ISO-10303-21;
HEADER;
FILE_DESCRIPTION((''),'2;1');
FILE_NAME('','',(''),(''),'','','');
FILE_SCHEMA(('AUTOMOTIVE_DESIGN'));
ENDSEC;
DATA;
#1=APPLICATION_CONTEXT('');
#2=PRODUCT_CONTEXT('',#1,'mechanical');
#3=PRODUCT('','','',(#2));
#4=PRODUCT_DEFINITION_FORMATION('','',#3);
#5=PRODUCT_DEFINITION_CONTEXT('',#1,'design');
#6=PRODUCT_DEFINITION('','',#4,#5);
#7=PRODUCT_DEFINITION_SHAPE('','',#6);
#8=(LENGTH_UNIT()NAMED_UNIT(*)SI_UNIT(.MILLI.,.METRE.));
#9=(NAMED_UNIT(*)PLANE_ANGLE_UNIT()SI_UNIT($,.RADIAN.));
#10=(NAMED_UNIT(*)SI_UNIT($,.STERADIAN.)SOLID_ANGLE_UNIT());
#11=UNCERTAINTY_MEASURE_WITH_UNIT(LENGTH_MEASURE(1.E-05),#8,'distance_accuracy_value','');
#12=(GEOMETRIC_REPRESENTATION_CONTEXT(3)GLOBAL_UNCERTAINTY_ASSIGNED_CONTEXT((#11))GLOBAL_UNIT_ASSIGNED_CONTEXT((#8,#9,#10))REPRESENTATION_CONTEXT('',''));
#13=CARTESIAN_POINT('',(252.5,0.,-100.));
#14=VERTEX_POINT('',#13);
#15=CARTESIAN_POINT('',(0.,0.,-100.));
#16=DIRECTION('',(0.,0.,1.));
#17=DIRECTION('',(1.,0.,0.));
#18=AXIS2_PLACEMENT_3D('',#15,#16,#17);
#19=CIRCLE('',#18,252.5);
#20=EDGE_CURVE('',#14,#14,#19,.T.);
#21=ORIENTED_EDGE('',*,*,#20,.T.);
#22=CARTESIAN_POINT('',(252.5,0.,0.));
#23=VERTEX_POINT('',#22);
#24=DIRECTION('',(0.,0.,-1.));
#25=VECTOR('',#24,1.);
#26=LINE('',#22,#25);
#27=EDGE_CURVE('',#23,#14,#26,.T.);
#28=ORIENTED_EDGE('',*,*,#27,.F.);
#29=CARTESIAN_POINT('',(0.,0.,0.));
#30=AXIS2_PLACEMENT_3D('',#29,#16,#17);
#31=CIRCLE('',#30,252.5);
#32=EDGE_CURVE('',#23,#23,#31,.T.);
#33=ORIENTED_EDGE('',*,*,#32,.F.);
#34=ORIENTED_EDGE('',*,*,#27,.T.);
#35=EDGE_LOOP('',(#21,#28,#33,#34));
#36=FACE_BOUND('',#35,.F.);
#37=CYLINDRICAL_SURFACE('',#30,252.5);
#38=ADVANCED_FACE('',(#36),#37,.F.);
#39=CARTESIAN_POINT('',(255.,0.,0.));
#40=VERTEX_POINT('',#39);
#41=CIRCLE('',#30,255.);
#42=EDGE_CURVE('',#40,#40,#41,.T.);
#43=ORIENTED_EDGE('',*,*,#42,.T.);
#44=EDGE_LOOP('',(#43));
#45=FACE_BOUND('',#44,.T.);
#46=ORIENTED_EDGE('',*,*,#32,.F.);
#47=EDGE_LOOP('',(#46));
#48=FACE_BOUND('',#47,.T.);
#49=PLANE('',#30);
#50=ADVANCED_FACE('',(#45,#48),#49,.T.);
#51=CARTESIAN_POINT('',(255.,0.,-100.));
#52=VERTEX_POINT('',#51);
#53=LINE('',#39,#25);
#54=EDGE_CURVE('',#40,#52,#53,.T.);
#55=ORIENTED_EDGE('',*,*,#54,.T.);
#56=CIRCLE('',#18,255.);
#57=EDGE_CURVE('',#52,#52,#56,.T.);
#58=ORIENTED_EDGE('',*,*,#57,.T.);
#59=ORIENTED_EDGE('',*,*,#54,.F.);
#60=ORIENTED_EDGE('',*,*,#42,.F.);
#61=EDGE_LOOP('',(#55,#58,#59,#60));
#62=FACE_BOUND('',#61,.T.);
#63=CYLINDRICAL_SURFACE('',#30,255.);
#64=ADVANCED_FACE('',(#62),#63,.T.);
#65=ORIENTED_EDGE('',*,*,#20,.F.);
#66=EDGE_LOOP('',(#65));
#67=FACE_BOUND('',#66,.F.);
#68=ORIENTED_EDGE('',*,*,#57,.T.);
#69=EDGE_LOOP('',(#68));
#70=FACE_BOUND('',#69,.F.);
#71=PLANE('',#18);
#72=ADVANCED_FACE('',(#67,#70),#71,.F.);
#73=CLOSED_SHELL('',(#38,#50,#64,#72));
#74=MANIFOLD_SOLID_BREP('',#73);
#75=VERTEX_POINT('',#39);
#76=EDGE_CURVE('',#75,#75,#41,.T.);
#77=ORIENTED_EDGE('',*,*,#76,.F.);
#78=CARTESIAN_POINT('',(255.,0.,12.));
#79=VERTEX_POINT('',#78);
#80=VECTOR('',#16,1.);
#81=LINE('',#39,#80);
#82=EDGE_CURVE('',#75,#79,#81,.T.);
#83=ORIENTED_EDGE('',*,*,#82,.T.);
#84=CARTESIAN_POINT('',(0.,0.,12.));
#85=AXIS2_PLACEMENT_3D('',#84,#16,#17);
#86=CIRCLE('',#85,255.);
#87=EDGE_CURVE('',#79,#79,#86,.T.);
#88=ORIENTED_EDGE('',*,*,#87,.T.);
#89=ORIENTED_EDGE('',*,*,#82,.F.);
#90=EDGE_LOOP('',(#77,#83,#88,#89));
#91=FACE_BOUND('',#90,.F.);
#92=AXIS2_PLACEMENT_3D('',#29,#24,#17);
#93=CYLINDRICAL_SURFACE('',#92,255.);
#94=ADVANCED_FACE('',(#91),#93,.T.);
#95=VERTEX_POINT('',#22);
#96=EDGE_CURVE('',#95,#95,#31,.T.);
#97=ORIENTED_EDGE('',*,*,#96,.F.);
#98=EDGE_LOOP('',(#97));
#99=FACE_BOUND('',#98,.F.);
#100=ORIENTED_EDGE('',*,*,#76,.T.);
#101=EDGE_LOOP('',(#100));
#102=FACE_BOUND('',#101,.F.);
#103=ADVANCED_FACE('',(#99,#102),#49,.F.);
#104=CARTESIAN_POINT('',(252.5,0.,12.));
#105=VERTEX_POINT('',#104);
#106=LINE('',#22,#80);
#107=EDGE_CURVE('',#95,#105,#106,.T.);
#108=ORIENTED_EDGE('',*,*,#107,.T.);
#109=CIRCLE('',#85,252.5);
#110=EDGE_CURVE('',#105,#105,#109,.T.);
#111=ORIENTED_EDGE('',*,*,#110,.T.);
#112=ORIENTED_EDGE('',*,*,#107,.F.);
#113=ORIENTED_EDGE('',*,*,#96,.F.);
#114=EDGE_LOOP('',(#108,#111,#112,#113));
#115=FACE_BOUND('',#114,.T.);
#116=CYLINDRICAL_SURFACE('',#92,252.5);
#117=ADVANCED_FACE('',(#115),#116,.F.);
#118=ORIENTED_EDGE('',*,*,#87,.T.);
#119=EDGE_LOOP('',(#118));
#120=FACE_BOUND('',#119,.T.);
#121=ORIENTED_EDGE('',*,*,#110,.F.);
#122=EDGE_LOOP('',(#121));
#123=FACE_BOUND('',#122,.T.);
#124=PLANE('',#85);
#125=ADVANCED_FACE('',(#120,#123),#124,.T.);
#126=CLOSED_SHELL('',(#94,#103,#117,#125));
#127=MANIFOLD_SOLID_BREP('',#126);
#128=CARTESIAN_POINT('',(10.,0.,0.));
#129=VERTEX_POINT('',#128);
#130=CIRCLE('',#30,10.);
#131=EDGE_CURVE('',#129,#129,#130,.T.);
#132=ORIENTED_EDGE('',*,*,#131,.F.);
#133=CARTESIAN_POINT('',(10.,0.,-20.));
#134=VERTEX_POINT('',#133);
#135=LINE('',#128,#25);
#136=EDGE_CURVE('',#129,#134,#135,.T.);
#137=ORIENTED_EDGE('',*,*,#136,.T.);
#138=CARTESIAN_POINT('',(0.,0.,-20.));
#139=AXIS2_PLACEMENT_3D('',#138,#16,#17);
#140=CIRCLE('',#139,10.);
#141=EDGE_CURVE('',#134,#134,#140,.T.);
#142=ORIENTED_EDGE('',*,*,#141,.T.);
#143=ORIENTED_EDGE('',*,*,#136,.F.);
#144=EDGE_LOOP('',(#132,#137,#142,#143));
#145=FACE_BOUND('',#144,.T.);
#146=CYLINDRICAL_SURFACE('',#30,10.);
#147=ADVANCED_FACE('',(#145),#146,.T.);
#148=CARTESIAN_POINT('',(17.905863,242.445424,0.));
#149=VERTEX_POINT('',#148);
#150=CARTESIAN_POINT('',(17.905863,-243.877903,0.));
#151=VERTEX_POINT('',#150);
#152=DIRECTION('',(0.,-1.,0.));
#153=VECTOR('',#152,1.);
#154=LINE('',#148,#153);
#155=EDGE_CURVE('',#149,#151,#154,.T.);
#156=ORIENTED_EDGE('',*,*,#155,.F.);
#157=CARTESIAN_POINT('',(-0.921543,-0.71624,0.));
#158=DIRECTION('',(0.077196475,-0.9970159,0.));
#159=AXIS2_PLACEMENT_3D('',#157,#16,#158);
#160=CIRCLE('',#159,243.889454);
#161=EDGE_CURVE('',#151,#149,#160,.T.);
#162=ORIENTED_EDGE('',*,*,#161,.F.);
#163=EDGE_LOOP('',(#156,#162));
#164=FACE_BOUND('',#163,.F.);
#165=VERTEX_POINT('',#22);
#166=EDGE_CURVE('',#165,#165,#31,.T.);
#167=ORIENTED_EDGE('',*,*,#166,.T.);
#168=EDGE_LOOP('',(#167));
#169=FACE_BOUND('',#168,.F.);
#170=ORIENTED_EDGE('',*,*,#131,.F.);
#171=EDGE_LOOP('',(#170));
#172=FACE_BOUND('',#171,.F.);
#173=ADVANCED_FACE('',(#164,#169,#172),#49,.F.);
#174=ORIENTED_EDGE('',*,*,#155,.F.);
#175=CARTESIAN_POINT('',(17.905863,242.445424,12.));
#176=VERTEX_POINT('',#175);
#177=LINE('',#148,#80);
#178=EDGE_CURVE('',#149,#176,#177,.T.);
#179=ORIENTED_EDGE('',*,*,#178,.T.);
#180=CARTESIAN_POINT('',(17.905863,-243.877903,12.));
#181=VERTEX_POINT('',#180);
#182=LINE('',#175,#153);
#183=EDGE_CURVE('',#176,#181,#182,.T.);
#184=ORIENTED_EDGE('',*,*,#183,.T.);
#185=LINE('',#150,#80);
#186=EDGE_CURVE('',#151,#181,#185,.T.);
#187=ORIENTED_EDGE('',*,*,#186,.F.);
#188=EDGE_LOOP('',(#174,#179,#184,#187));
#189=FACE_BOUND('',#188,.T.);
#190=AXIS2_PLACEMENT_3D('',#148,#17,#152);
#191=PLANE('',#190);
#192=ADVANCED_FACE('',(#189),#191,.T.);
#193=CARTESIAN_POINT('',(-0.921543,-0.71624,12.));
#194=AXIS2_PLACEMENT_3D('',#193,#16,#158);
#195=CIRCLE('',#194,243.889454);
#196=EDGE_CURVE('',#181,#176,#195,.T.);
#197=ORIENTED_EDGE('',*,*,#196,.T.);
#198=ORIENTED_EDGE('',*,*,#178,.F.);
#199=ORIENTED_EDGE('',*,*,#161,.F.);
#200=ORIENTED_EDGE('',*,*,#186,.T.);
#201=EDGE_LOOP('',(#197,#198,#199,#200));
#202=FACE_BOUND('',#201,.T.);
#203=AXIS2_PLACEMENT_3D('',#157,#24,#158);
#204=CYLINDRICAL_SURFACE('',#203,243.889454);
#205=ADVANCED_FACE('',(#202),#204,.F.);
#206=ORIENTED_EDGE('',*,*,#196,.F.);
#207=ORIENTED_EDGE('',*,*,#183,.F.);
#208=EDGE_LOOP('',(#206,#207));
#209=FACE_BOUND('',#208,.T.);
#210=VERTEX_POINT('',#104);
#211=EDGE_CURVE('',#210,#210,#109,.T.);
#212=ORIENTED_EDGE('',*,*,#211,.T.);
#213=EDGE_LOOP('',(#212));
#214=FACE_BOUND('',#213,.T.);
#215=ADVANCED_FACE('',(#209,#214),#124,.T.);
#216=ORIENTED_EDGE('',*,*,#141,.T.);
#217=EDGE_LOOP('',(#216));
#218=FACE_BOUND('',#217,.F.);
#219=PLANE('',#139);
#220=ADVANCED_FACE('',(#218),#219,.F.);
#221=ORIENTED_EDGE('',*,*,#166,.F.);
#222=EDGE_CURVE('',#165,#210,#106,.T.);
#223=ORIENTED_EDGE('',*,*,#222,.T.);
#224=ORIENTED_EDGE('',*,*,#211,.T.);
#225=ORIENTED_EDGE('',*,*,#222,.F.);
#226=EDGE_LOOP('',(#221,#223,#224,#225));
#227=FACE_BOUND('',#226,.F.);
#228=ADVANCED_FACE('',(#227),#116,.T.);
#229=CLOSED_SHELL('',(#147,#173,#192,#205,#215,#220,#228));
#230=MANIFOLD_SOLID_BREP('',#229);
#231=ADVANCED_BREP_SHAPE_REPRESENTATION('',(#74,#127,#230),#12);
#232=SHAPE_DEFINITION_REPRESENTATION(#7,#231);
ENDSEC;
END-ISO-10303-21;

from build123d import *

# Parameters (mm, degrees)
F0_R     = 252.5
F1_DEPTH = 12
F2_R     = 10
F3_DEPTH = 20
F5_DEPTH = 12
F6_R     = 255
F6_R_2   = 252.5
F7_DEPTH = 100
F8_DEPTH = 12


with BuildPart() as f1:
    # F0 (on Top) → F1 (new body)
    with BuildSketch(Plane.XY):
        Circle(F0_R)
    extrude(amount=F1_DEPTH)

    # F2 (on Top) → F3 (join)
    with BuildSketch(Plane.XY):
        Circle(F2_R)
    extrude(amount=-F3_DEPTH)

    # F4 (on Top) → F5 (cut)
    with BuildSketch(Plane.XY):
        with BuildLine():
            Line((17.905863, 242.445424), (17.905863, 0))
            Line((17.905863, 0), (17.905863, -243.877903))
            ThreePointArc((17.905863, -243.877903), (242.967911, -0.716239), (17.905863, 242.445424))
        make_face()
    extrude(amount=F5_DEPTH, mode=Mode.SUBTRACT)


with BuildPart() as f7:
    # F6 (on Top) → F7 (new body)
    with BuildSketch(Plane.XY):
        Circle(F6_R)
        Circle(F6_R_2, mode=Mode.SUBTRACT)
    extrude(amount=-F7_DEPTH)


with BuildPart() as f8:
    # F6 (on Top) → F8 (new body)
    with BuildSketch(Plane.XY):
        Circle(F6_R)
        Circle(F6_R_2, mode=Mode.SUBTRACT)
    extrude(amount=F8_DEPTH)


solid = Compound([f1.part, f7.part, f8.part])
